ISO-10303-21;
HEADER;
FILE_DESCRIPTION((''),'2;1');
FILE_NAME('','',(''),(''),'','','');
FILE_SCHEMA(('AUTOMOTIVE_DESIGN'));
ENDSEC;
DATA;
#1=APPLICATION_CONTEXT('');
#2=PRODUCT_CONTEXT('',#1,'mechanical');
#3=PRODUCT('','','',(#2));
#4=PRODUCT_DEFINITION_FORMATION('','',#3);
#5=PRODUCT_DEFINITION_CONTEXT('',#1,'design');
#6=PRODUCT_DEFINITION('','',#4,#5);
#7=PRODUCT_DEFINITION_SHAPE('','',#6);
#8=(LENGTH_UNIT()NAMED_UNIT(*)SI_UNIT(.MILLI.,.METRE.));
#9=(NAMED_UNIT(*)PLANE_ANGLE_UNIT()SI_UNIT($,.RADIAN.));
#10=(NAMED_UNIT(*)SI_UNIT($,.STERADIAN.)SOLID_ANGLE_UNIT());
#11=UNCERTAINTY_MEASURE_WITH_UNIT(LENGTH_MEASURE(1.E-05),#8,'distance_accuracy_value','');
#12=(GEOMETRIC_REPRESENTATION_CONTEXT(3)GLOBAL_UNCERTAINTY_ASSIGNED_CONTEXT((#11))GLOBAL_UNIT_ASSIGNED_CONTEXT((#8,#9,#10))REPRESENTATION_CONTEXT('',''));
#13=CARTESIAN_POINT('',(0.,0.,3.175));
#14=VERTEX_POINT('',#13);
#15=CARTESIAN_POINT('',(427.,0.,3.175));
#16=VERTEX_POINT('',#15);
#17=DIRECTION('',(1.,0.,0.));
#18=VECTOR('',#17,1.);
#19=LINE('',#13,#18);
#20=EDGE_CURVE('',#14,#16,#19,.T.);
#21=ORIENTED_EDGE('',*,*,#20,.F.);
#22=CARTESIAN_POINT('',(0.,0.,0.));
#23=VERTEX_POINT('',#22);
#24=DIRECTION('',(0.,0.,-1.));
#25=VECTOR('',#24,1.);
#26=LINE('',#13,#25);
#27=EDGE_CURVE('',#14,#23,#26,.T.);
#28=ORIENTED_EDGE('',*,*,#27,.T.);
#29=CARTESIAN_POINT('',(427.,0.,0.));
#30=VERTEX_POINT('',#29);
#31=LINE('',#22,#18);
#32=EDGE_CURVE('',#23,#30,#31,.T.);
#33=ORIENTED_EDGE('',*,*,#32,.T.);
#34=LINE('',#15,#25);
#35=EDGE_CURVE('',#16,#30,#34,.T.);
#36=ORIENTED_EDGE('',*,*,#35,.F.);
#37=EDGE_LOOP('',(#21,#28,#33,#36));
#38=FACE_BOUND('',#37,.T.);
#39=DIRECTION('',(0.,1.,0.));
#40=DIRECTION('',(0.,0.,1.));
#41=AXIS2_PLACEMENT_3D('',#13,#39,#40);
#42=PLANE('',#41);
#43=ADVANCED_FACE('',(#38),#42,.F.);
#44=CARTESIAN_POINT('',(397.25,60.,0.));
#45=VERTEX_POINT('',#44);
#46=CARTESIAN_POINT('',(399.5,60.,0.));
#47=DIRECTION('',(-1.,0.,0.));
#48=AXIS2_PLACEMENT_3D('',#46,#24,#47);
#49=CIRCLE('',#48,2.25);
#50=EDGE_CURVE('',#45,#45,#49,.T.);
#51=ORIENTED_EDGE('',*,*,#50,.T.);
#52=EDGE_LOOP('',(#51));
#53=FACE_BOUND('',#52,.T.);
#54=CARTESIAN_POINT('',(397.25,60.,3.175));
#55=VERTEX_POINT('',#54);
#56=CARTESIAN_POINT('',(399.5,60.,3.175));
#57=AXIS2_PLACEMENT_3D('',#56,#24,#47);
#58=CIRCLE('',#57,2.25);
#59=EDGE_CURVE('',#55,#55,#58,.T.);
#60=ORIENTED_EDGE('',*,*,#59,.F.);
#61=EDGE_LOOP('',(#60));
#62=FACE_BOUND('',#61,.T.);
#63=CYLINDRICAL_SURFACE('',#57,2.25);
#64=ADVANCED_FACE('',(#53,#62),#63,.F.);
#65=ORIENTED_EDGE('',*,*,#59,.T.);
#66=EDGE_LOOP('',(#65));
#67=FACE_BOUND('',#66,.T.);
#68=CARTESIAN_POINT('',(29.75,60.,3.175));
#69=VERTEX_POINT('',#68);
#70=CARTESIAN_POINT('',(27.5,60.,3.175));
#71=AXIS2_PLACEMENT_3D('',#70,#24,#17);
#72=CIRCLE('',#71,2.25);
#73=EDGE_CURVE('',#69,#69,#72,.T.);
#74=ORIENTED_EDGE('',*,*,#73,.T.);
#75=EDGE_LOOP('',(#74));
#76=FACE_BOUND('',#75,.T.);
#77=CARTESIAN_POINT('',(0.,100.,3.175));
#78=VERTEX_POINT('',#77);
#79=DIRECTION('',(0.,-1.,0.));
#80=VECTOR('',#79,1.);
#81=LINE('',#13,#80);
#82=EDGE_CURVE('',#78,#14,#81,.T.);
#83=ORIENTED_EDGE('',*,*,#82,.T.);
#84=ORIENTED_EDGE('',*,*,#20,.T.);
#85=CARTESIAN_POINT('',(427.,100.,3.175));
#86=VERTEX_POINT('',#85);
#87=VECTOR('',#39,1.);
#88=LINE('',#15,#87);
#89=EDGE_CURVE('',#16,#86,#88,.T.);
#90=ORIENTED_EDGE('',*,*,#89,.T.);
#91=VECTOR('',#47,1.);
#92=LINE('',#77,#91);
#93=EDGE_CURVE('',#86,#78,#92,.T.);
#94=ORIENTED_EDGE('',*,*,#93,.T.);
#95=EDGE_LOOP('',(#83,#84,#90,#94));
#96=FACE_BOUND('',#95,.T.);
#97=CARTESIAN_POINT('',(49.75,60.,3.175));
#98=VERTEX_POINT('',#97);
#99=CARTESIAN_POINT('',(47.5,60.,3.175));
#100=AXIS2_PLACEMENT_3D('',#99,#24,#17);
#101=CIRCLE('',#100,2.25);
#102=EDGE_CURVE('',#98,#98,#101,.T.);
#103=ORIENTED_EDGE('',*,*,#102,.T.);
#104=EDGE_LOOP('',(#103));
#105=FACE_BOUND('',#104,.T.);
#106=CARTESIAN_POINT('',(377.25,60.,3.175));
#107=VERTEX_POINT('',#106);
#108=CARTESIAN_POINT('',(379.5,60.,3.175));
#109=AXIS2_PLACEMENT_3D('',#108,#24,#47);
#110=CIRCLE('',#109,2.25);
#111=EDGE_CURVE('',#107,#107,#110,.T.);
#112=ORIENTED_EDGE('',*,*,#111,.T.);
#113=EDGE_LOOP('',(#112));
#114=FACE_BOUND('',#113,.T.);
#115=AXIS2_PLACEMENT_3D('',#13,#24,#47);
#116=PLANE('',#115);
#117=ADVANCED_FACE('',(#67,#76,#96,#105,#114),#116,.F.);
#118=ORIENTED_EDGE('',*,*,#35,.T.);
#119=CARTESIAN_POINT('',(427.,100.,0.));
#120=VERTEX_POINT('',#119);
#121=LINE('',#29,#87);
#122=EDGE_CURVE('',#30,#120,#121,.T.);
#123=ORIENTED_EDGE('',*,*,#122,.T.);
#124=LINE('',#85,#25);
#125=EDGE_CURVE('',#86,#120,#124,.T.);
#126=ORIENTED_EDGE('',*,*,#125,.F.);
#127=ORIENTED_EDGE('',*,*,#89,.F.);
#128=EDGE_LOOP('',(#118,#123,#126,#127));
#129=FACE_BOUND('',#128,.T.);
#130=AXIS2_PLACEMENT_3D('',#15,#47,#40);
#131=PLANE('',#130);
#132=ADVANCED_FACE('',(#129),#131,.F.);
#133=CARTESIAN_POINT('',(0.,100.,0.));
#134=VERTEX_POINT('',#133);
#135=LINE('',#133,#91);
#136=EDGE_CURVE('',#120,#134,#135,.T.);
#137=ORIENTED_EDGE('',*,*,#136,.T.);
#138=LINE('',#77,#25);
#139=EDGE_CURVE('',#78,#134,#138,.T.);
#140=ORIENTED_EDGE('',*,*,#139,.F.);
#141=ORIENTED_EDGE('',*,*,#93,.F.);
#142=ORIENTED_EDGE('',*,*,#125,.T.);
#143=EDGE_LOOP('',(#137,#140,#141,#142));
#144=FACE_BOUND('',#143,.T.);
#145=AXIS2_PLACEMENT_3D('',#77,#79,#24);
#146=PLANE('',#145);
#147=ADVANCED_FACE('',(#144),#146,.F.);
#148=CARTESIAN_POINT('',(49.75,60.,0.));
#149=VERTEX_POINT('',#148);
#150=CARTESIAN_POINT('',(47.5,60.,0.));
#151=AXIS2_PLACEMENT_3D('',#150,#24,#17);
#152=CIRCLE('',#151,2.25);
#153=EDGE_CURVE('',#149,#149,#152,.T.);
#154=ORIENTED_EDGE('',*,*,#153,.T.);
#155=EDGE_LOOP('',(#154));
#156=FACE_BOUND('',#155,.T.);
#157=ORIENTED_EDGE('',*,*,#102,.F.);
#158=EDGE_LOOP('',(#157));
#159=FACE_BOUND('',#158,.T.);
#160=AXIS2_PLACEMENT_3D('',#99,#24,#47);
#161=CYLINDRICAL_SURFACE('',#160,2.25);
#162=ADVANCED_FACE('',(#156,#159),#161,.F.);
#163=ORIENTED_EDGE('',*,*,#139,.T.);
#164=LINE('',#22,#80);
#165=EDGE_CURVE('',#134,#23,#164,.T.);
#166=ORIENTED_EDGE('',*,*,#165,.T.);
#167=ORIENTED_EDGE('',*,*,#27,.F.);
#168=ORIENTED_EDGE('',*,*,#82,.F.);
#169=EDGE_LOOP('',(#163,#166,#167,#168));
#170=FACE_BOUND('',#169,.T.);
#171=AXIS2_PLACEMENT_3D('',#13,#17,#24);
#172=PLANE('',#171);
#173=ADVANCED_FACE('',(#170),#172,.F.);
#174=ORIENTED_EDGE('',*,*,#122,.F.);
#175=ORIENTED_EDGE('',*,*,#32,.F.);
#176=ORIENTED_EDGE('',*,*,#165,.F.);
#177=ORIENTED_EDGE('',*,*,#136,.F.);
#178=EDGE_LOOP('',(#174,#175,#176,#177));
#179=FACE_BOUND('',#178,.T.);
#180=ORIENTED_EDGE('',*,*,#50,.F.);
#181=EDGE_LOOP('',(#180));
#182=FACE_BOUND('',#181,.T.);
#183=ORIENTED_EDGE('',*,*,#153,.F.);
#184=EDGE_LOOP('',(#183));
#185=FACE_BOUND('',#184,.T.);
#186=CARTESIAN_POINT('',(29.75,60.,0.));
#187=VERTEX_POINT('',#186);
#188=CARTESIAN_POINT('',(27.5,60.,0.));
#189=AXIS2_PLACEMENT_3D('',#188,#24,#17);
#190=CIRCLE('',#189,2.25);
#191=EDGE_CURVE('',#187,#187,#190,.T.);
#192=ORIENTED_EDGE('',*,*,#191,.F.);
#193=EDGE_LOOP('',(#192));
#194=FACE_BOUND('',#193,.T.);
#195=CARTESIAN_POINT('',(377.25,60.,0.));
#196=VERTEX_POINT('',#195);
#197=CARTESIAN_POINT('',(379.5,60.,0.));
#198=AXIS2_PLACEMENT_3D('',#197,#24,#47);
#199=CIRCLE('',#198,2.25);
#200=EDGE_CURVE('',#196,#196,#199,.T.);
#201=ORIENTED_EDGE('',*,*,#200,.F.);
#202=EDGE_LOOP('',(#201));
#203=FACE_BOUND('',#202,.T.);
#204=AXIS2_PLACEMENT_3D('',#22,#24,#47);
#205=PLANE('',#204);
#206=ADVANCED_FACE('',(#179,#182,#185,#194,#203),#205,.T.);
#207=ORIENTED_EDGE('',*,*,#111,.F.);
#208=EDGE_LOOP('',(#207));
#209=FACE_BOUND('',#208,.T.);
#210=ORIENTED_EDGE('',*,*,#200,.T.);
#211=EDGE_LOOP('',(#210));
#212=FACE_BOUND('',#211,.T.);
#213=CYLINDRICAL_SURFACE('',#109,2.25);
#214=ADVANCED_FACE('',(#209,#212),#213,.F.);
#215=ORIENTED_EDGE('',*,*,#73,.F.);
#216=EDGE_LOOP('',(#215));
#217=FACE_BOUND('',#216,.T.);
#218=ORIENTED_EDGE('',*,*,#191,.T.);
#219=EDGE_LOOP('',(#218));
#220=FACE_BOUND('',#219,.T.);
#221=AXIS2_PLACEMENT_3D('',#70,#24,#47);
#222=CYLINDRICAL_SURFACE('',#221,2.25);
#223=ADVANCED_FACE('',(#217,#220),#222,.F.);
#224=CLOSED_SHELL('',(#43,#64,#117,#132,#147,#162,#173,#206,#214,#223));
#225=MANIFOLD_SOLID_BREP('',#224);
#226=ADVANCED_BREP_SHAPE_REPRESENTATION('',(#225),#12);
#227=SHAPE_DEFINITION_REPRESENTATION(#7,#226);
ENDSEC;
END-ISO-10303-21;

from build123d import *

# Parameters (mm, degrees)
SKETCH1_W           = 427
SKETCH1_H           = 100
BOSS_EXTRUDE1_DEPTH = 3.175
SKETCH2_R           = 2.25
CUT_EXTRUDE1_DEPTH  = 439.564796381


with BuildPart() as part:
    # Sketch1 → Boss-Extrude1 (new body)
    with BuildSketch(Plane.XY):
        with Locations((213.5, 50)):
            Rectangle(SKETCH1_W, SKETCH1_H)
    extrude(amount=BOSS_EXTRUDE1_DEPTH)

    # Sketch2 → Cut-Extrude1 (cut, through all)
    with BuildSketch(Plane(origin=(0, 0, 0), x_dir=(-1, 0, 0), z_dir=(0, 0, -1))):
        with Locations((-399.5, 60)):
            Circle(SKETCH2_R)
        with Locations((-379.5, 60)):
            Circle(SKETCH2_R)
        with Locations(Location((-27.5, 60, 0), (0, 0, 180))):
            Circle(SKETCH2_R)
        with Locations(Location((-47.5, 60, 0), (0, 0, 180))):
            Circle(SKETCH2_R)
    extrude(amount=-CUT_EXTRUDE1_DEPTH, mode=Mode.SUBTRACT)


solid = part.part
